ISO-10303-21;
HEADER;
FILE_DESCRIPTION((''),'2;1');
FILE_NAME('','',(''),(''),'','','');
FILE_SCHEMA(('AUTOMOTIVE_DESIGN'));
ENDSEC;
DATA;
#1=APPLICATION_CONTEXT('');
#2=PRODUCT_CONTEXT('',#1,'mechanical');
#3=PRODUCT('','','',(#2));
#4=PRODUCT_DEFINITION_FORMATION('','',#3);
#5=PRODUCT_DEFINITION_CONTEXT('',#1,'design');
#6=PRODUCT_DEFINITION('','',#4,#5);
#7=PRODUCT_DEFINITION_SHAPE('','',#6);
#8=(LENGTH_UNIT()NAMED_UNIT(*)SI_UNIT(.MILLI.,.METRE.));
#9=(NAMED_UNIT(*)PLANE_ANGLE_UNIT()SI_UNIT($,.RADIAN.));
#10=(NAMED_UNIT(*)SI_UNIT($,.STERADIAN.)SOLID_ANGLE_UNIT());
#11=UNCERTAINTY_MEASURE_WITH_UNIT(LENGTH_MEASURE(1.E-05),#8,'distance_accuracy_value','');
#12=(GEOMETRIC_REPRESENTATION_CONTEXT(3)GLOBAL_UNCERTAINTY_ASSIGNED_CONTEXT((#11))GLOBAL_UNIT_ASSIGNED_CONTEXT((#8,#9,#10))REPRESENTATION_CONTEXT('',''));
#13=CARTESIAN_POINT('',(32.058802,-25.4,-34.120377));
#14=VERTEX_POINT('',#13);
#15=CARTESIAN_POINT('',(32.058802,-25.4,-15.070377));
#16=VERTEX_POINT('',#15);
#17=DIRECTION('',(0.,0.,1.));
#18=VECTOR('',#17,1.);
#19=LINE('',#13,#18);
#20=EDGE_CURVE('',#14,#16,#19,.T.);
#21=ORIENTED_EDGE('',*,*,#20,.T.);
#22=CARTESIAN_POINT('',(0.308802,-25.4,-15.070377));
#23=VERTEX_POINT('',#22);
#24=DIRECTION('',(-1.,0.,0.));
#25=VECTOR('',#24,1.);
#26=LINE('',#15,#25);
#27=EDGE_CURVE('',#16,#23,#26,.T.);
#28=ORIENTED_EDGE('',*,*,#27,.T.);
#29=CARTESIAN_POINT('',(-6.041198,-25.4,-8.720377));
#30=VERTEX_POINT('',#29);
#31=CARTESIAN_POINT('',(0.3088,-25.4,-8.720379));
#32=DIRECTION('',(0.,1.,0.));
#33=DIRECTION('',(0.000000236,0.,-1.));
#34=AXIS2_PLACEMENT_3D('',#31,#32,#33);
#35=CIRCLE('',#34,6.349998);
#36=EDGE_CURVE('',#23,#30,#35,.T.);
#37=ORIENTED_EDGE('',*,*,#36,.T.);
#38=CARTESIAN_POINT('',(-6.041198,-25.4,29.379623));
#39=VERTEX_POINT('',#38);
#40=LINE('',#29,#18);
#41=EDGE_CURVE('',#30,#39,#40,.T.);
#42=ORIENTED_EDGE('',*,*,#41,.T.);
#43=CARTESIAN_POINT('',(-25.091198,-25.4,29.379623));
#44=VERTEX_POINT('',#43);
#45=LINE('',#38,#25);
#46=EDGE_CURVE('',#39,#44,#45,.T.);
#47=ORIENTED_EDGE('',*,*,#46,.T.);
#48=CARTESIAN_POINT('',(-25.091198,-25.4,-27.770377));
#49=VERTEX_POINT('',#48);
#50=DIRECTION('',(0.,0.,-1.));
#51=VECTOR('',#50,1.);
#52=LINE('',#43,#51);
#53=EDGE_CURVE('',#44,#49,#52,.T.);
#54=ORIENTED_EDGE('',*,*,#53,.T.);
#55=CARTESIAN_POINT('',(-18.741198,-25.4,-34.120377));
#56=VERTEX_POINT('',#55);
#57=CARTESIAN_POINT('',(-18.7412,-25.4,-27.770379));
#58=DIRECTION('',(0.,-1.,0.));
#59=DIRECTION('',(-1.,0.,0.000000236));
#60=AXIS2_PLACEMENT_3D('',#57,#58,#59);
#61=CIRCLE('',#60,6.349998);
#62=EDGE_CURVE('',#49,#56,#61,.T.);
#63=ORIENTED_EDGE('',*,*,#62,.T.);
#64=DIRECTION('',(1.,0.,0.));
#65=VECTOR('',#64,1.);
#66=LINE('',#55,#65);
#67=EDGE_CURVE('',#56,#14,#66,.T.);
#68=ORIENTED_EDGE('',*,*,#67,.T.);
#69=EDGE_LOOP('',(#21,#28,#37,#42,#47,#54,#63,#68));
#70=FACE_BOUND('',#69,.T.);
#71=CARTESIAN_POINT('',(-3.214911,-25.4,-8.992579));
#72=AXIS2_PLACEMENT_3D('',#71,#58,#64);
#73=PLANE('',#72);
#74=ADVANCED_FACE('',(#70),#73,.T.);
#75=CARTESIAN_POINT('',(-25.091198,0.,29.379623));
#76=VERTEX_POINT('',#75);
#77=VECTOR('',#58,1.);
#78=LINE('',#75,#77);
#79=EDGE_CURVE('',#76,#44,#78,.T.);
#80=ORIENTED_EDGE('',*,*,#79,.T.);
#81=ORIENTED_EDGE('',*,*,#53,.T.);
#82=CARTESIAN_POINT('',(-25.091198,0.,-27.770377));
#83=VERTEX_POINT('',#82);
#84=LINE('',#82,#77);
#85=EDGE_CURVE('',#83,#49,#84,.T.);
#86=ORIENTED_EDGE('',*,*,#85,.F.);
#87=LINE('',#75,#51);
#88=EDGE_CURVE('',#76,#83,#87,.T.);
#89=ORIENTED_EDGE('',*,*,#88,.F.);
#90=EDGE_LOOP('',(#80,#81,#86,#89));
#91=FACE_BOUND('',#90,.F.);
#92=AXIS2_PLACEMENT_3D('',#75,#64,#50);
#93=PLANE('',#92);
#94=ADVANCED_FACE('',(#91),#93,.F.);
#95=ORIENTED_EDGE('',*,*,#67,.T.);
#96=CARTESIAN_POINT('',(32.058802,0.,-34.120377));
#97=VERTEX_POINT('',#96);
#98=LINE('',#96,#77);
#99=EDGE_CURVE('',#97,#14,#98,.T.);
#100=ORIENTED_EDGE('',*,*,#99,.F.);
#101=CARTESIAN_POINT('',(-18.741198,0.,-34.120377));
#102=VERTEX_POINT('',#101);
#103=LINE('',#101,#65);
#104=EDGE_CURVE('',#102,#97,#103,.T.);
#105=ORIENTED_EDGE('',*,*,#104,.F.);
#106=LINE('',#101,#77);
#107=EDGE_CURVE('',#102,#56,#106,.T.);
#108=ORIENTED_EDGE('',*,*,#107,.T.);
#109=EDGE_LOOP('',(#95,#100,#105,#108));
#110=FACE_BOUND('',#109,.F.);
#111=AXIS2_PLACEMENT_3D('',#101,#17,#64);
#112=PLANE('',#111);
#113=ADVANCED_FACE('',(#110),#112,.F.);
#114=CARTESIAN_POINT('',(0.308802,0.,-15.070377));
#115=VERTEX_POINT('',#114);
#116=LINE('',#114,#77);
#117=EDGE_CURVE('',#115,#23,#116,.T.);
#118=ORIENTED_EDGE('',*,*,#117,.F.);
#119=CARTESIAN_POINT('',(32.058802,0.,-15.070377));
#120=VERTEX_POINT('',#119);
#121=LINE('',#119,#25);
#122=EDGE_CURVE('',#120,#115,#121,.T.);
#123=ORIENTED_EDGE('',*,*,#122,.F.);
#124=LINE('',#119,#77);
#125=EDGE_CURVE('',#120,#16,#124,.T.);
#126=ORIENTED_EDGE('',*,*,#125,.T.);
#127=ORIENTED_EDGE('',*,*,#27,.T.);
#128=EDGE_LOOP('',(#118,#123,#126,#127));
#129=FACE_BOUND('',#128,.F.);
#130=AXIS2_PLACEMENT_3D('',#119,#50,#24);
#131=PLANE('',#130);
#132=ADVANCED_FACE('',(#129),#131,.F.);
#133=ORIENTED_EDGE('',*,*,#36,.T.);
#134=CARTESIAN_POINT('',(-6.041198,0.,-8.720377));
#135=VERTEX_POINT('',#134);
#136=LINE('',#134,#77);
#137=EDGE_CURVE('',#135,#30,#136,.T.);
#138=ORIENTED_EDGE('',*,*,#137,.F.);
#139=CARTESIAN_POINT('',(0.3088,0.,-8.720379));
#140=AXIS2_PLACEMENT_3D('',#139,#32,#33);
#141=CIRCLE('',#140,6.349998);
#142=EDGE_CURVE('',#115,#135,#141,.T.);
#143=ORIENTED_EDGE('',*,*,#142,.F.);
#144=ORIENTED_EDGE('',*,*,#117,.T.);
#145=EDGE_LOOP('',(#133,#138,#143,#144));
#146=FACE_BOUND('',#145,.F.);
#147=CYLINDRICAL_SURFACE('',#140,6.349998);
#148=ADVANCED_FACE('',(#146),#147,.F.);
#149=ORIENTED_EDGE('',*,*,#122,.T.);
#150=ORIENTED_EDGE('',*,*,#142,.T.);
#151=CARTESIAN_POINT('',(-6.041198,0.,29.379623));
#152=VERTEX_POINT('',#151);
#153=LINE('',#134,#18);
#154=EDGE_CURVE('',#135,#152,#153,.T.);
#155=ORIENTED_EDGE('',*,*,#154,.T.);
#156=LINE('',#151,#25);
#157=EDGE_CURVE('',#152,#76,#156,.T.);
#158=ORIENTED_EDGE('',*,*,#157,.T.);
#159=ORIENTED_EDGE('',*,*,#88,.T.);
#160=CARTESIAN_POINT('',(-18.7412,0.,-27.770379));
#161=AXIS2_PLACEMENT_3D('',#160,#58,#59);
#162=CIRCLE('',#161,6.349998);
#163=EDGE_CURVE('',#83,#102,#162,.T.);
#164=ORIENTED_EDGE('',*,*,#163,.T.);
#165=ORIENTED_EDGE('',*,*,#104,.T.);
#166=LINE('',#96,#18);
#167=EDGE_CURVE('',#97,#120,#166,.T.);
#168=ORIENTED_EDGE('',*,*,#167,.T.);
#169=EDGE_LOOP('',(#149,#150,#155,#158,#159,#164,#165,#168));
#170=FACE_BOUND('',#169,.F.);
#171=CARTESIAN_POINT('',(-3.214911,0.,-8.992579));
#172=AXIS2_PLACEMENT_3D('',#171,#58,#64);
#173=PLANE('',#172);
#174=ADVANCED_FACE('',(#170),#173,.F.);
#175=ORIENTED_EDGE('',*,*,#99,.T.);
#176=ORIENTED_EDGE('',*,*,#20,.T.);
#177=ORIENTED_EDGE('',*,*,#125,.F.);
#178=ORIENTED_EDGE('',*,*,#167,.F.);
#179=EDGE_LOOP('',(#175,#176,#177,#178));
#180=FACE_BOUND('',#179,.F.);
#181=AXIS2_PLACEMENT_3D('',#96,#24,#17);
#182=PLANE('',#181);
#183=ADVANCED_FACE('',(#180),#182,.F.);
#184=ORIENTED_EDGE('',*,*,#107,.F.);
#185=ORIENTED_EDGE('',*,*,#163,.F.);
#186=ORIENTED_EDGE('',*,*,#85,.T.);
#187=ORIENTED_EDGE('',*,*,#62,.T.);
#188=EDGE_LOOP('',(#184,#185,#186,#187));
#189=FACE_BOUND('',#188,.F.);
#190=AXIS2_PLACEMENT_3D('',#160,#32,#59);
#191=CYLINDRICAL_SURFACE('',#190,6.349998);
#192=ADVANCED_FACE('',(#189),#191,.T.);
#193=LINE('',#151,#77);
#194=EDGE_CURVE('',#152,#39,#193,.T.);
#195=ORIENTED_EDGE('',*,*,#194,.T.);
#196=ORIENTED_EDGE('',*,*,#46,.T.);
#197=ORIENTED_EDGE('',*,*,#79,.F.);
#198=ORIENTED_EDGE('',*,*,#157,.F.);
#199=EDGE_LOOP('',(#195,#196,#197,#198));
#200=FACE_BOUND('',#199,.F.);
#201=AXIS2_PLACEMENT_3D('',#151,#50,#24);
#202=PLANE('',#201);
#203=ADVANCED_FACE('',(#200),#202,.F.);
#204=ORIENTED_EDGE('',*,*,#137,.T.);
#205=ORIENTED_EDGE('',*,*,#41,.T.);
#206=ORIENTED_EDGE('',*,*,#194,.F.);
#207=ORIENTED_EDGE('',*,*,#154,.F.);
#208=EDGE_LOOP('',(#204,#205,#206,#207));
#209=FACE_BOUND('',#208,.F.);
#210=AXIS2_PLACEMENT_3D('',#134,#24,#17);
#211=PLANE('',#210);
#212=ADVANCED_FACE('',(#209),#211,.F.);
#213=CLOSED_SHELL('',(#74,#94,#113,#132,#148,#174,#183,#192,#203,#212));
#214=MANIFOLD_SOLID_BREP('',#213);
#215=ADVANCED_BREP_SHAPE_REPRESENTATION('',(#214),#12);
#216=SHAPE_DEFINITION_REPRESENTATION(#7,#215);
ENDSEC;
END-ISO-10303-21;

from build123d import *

# Parameters (mm, degrees)
F1_DEPTH = 25.4


with BuildPart() as f1:
    # F0 (on Front) → F1 (new body)
    with BuildSketch(Plane.XZ):
        with BuildLine():
            Line((-6.041198, 29.379623), (-25.091198, 29.379623))
            Line((-25.091198, 29.379623), (-25.091198, -27.770377))
            ThreePointArc((-25.091198, -27.770377), (-23.231327, -32.260505), (-18.741198, -34.120377))
            Line((-18.741198, -34.120377), (32.058802, -34.120377))
            Line((32.058802, -34.120377), (32.058802, -15.070377))
            Line((32.058802, -15.070377), (0.308802, -15.070377))
            ThreePointArc((0.308802, -15.070377), (-4.181327, -13.210505), (-6.041198, -8.720377))
            Line((-6.041198, -8.720377), (-6.041198, 29.379623))
        make_face()
    extrude(amount=F1_DEPTH)


solid = f1.part
